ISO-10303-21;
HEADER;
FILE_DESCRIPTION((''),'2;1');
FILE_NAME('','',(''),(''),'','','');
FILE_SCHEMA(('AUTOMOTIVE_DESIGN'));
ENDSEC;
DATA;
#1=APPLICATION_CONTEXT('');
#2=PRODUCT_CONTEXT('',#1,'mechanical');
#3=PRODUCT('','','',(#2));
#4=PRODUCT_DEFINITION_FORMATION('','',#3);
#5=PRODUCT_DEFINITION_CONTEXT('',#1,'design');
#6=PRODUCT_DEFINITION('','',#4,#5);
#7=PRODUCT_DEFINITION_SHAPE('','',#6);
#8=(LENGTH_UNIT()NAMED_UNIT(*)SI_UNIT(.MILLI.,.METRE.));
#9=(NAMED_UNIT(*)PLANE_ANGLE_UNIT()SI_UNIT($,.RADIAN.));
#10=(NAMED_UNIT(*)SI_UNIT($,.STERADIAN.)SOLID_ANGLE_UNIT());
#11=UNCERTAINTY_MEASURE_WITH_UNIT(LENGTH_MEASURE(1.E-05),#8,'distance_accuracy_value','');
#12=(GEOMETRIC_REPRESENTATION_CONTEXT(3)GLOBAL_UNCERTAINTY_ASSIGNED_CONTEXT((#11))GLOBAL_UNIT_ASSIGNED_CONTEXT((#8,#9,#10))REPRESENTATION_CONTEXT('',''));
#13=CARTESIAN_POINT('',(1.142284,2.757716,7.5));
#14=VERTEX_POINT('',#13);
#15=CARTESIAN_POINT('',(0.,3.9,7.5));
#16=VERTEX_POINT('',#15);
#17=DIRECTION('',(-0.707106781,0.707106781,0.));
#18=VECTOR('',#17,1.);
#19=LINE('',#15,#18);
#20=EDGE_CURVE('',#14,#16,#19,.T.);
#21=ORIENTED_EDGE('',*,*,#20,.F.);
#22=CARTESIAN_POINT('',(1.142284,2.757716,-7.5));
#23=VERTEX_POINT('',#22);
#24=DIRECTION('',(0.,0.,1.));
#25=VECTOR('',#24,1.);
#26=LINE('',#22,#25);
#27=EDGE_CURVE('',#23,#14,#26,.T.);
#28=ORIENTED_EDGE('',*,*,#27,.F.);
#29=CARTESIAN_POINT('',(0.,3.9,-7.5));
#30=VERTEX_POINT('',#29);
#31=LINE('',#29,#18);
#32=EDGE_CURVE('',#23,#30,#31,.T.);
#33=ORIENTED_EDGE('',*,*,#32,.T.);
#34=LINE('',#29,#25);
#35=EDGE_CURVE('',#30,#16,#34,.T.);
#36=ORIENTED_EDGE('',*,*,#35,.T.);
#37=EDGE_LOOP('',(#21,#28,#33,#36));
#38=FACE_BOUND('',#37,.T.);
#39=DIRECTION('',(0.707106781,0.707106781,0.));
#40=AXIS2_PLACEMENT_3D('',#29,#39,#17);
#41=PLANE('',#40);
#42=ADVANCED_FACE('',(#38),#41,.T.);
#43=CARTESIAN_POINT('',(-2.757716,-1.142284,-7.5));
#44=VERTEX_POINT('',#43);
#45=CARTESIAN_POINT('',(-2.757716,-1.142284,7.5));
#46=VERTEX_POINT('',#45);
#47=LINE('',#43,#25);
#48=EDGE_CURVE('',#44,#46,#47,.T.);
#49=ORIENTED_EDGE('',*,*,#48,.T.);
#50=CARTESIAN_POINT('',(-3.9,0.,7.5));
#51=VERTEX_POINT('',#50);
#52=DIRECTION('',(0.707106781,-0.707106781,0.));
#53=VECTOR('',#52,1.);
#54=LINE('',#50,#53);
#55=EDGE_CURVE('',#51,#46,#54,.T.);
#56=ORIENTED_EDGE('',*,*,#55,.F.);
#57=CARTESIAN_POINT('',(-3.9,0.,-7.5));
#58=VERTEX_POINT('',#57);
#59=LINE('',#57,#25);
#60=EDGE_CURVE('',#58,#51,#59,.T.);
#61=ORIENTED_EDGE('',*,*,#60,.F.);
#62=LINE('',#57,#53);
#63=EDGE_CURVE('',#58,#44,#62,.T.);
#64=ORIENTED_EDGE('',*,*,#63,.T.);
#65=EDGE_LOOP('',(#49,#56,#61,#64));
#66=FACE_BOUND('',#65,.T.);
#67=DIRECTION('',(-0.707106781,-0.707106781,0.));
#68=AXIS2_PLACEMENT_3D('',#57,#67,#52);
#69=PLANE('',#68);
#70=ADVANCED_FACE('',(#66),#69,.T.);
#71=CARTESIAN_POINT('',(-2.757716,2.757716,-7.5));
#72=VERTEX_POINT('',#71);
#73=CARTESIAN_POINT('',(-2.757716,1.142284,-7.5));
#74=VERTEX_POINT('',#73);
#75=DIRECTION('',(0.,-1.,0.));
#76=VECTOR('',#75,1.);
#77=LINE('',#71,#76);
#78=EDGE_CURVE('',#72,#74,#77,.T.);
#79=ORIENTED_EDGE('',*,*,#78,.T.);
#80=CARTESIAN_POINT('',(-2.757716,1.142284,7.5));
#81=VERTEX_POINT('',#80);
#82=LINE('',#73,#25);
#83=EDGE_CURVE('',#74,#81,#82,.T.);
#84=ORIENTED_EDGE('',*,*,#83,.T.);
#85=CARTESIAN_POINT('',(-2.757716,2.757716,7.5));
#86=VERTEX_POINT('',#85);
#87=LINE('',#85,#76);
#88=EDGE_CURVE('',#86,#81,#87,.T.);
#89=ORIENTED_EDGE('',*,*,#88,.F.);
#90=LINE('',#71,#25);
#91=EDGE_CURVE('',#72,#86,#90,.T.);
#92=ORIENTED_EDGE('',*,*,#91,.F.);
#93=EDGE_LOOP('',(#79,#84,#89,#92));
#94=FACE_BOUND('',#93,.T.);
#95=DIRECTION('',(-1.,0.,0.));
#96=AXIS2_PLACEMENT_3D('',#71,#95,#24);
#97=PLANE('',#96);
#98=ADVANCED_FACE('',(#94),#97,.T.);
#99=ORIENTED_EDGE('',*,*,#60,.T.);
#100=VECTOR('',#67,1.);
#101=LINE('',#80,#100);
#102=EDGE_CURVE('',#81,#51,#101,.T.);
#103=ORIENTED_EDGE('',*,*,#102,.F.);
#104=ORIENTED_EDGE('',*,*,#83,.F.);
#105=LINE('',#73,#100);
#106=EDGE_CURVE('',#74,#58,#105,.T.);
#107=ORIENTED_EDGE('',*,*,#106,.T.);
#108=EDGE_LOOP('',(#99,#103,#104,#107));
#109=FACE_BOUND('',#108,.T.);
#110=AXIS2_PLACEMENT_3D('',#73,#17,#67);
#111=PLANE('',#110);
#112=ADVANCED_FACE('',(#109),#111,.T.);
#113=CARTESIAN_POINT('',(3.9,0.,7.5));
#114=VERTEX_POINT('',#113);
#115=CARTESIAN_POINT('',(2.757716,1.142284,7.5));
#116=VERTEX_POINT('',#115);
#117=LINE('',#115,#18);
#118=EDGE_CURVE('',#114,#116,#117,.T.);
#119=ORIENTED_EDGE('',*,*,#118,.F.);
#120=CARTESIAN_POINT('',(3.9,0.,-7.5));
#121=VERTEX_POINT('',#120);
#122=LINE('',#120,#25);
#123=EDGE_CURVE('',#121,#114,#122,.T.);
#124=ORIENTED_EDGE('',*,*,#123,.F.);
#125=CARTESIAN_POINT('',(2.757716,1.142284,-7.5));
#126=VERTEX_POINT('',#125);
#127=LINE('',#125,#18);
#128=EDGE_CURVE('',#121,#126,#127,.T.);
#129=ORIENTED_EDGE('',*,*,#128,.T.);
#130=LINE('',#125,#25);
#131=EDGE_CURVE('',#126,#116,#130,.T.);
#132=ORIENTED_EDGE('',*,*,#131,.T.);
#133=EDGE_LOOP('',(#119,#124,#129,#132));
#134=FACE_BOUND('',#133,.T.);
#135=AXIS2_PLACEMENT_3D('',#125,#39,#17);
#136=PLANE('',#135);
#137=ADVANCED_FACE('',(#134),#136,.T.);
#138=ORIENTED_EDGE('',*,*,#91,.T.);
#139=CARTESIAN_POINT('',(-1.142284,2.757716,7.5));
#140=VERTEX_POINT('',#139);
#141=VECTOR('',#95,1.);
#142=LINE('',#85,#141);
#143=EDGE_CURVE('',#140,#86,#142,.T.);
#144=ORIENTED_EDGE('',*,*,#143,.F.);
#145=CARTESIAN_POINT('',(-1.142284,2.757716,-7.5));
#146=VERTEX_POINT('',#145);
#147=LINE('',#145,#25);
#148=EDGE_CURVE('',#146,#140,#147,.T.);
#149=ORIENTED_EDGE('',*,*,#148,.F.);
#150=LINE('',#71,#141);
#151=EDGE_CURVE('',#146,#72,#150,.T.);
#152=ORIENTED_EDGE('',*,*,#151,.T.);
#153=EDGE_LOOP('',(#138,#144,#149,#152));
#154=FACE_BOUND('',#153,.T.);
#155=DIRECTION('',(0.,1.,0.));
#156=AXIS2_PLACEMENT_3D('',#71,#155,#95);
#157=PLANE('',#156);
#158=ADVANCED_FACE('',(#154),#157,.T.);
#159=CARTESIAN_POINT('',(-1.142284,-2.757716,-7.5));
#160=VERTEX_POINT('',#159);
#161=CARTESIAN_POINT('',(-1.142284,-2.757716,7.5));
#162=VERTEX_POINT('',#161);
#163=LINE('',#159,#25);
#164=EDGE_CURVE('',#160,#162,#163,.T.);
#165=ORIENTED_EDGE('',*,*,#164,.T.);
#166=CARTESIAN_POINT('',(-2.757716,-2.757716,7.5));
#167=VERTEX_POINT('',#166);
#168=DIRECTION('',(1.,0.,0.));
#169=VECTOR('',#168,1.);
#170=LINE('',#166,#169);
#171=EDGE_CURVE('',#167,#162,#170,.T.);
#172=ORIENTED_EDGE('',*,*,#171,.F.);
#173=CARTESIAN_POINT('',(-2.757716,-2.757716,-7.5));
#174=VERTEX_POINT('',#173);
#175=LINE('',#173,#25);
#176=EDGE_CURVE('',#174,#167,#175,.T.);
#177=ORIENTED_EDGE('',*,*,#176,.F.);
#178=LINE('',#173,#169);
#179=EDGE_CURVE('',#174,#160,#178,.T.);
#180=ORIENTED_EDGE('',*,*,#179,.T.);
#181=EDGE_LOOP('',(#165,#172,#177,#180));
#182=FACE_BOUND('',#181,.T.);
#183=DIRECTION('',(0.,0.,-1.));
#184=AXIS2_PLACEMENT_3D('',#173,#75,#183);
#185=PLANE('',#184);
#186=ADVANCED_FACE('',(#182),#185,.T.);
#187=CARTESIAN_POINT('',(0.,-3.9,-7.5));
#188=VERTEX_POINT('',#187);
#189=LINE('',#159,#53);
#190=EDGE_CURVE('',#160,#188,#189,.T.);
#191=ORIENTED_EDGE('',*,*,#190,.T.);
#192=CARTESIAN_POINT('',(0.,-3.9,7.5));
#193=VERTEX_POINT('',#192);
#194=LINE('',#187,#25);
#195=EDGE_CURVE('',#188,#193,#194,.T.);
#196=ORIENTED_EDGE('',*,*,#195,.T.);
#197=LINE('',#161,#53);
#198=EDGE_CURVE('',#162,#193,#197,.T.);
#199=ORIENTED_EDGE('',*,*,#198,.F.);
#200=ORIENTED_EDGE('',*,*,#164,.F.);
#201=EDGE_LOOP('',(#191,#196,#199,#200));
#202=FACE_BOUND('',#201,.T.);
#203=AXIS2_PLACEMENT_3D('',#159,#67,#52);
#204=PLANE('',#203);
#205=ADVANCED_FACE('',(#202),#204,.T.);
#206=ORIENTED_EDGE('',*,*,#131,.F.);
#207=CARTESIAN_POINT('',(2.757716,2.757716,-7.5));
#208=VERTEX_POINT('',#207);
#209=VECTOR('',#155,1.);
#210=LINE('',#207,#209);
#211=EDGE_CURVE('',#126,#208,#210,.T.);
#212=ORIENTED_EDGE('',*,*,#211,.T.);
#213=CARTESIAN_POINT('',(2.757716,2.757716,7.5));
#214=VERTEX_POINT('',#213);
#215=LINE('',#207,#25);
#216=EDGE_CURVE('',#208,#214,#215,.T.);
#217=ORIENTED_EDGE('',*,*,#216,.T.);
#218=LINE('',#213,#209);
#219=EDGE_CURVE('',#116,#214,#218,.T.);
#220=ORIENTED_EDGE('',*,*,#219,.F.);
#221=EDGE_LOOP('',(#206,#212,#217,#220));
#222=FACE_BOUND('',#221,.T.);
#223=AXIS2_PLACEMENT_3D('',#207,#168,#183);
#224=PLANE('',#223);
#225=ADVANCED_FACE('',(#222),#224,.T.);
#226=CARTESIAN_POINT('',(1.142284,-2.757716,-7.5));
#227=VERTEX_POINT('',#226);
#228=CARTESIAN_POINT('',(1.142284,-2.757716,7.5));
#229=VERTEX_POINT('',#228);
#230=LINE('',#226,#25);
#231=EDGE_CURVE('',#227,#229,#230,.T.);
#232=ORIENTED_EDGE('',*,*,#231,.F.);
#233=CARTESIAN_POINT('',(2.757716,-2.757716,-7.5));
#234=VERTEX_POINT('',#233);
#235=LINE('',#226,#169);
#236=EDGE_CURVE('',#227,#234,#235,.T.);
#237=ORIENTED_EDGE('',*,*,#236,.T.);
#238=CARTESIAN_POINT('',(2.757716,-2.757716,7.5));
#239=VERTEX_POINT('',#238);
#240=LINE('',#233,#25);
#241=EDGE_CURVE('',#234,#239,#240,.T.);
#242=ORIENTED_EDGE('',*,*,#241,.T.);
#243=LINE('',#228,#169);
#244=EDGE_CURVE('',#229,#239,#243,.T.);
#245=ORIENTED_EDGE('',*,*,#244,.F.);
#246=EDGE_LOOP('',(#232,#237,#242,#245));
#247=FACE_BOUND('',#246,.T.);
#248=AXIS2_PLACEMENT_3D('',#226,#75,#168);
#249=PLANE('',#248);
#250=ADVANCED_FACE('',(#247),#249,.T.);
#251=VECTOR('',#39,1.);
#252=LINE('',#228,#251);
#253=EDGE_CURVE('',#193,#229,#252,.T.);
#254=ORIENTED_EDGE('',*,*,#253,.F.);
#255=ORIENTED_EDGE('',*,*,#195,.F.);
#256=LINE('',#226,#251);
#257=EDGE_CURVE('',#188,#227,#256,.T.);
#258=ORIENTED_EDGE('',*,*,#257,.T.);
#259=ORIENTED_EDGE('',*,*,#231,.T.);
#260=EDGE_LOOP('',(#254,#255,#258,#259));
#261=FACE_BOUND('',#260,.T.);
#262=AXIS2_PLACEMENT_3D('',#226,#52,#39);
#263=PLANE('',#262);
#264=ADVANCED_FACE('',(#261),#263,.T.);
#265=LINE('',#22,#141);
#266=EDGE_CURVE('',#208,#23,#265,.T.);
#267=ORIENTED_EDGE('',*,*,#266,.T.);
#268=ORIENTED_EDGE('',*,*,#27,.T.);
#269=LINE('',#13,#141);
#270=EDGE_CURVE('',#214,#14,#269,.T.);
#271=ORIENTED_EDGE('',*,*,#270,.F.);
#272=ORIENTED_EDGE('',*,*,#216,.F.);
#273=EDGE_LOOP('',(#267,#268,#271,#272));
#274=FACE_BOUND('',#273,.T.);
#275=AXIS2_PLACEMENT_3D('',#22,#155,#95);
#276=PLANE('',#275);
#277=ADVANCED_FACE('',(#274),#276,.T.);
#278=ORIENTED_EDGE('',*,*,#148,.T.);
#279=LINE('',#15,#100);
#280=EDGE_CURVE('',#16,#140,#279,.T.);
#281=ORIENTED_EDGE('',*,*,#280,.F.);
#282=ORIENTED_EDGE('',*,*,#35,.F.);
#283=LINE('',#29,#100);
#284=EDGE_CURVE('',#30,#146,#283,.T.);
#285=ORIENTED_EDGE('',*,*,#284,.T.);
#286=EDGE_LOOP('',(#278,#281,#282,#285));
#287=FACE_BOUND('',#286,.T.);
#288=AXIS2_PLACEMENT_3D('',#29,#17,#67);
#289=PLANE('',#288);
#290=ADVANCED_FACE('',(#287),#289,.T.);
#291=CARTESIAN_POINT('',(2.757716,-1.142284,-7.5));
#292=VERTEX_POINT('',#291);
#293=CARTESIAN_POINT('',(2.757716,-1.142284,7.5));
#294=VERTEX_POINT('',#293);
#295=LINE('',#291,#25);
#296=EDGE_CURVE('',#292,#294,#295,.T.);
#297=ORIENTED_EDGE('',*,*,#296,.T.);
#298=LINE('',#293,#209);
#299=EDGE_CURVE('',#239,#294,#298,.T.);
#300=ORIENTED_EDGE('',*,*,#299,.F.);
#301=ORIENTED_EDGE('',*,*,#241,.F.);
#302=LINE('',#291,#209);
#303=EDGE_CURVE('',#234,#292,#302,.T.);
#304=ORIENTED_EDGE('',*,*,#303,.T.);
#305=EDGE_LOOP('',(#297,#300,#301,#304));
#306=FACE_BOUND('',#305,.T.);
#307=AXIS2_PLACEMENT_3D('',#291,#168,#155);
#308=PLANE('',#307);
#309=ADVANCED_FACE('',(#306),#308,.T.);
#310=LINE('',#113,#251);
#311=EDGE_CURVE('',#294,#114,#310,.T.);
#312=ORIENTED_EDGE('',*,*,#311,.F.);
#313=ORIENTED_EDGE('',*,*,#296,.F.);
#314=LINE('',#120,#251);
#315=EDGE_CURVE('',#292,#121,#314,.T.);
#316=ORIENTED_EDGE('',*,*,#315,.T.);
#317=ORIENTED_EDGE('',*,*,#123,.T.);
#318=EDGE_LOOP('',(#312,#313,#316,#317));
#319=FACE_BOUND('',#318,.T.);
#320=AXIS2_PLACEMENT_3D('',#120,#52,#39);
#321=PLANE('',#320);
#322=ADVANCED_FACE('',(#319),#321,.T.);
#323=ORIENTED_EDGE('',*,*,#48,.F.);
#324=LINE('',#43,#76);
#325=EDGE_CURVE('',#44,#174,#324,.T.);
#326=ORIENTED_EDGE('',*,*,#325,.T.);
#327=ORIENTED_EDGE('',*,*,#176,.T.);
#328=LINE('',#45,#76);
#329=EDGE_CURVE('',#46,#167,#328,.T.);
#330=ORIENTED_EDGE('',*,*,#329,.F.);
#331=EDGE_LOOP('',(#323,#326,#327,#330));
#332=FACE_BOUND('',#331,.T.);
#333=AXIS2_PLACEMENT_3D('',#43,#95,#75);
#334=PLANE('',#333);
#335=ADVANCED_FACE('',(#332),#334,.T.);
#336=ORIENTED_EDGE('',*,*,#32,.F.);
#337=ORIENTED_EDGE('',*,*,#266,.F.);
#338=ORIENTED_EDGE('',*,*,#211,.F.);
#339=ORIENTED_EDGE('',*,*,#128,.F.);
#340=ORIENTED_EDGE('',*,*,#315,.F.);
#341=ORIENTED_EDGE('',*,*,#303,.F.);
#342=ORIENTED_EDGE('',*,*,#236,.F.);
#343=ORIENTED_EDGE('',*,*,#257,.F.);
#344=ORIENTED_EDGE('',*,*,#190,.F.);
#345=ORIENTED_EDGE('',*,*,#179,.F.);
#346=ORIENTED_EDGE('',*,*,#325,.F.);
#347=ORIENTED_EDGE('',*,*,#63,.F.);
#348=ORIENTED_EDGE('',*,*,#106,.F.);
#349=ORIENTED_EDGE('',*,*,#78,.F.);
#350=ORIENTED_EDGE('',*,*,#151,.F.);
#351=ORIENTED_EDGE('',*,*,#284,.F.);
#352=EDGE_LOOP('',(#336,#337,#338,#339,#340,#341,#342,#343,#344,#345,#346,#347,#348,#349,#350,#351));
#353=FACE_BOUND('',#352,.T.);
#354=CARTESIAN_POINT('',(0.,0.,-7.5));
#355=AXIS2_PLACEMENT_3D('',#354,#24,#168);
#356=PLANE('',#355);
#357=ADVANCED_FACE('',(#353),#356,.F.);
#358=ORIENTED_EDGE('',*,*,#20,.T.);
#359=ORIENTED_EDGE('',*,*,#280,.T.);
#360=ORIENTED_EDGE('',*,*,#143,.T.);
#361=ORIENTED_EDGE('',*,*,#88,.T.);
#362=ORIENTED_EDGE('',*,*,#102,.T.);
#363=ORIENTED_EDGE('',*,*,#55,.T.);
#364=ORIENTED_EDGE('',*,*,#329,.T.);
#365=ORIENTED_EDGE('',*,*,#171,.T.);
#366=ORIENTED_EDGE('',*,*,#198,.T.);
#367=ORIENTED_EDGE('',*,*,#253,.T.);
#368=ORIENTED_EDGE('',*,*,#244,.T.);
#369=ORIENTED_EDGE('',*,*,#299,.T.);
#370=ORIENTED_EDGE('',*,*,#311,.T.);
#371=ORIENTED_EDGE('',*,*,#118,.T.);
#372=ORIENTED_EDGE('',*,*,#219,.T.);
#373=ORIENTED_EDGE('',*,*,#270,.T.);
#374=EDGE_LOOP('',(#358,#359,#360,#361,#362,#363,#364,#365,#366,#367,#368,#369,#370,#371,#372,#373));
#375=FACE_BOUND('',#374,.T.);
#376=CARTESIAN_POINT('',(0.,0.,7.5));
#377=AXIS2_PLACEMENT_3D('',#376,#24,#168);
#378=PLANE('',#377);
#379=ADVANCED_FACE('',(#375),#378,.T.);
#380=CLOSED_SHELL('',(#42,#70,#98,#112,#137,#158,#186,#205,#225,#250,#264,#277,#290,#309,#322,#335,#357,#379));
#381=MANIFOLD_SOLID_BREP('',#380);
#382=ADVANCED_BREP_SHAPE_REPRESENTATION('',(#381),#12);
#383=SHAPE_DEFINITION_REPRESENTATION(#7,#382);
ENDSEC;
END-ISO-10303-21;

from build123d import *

# Parameters (mm, degrees)
BOSS_EXTRUDE1_DEPTH      = 7.5
BOSS_EXTRUDE1_DEPTH_BACK = 7.5


with BuildPart() as part:
    # Sketch1 → Boss-Extrude1 (new, two sides: drawn at the far end of the back side and taken through both)
    with BuildSketch(Plane.XY.offset(-BOSS_EXTRUDE1_DEPTH_BACK)):
        Polygon((0, 3.9), (1.142283553, 2.757716447), (2.757716447, 2.757716447), (2.757716447, 1.142283553), (3.9, 0), (2.757716447, -1.142283553), (2.757716447, -2.757716447), (1.142283553, -2.757716447), (0, -3.9), (-1.142283553, -2.757716447), (-2.757716447, -2.757716447), (-2.757716447, -1.142283553), (-3.9, 0), (-2.757716447, 1.142283553), (-2.757716447, 2.757716447), (-1.142283553, 2.757716447), align=None)
    extrude(amount=BOSS_EXTRUDE1_DEPTH + BOSS_EXTRUDE1_DEPTH_BACK)


solid = part.part
